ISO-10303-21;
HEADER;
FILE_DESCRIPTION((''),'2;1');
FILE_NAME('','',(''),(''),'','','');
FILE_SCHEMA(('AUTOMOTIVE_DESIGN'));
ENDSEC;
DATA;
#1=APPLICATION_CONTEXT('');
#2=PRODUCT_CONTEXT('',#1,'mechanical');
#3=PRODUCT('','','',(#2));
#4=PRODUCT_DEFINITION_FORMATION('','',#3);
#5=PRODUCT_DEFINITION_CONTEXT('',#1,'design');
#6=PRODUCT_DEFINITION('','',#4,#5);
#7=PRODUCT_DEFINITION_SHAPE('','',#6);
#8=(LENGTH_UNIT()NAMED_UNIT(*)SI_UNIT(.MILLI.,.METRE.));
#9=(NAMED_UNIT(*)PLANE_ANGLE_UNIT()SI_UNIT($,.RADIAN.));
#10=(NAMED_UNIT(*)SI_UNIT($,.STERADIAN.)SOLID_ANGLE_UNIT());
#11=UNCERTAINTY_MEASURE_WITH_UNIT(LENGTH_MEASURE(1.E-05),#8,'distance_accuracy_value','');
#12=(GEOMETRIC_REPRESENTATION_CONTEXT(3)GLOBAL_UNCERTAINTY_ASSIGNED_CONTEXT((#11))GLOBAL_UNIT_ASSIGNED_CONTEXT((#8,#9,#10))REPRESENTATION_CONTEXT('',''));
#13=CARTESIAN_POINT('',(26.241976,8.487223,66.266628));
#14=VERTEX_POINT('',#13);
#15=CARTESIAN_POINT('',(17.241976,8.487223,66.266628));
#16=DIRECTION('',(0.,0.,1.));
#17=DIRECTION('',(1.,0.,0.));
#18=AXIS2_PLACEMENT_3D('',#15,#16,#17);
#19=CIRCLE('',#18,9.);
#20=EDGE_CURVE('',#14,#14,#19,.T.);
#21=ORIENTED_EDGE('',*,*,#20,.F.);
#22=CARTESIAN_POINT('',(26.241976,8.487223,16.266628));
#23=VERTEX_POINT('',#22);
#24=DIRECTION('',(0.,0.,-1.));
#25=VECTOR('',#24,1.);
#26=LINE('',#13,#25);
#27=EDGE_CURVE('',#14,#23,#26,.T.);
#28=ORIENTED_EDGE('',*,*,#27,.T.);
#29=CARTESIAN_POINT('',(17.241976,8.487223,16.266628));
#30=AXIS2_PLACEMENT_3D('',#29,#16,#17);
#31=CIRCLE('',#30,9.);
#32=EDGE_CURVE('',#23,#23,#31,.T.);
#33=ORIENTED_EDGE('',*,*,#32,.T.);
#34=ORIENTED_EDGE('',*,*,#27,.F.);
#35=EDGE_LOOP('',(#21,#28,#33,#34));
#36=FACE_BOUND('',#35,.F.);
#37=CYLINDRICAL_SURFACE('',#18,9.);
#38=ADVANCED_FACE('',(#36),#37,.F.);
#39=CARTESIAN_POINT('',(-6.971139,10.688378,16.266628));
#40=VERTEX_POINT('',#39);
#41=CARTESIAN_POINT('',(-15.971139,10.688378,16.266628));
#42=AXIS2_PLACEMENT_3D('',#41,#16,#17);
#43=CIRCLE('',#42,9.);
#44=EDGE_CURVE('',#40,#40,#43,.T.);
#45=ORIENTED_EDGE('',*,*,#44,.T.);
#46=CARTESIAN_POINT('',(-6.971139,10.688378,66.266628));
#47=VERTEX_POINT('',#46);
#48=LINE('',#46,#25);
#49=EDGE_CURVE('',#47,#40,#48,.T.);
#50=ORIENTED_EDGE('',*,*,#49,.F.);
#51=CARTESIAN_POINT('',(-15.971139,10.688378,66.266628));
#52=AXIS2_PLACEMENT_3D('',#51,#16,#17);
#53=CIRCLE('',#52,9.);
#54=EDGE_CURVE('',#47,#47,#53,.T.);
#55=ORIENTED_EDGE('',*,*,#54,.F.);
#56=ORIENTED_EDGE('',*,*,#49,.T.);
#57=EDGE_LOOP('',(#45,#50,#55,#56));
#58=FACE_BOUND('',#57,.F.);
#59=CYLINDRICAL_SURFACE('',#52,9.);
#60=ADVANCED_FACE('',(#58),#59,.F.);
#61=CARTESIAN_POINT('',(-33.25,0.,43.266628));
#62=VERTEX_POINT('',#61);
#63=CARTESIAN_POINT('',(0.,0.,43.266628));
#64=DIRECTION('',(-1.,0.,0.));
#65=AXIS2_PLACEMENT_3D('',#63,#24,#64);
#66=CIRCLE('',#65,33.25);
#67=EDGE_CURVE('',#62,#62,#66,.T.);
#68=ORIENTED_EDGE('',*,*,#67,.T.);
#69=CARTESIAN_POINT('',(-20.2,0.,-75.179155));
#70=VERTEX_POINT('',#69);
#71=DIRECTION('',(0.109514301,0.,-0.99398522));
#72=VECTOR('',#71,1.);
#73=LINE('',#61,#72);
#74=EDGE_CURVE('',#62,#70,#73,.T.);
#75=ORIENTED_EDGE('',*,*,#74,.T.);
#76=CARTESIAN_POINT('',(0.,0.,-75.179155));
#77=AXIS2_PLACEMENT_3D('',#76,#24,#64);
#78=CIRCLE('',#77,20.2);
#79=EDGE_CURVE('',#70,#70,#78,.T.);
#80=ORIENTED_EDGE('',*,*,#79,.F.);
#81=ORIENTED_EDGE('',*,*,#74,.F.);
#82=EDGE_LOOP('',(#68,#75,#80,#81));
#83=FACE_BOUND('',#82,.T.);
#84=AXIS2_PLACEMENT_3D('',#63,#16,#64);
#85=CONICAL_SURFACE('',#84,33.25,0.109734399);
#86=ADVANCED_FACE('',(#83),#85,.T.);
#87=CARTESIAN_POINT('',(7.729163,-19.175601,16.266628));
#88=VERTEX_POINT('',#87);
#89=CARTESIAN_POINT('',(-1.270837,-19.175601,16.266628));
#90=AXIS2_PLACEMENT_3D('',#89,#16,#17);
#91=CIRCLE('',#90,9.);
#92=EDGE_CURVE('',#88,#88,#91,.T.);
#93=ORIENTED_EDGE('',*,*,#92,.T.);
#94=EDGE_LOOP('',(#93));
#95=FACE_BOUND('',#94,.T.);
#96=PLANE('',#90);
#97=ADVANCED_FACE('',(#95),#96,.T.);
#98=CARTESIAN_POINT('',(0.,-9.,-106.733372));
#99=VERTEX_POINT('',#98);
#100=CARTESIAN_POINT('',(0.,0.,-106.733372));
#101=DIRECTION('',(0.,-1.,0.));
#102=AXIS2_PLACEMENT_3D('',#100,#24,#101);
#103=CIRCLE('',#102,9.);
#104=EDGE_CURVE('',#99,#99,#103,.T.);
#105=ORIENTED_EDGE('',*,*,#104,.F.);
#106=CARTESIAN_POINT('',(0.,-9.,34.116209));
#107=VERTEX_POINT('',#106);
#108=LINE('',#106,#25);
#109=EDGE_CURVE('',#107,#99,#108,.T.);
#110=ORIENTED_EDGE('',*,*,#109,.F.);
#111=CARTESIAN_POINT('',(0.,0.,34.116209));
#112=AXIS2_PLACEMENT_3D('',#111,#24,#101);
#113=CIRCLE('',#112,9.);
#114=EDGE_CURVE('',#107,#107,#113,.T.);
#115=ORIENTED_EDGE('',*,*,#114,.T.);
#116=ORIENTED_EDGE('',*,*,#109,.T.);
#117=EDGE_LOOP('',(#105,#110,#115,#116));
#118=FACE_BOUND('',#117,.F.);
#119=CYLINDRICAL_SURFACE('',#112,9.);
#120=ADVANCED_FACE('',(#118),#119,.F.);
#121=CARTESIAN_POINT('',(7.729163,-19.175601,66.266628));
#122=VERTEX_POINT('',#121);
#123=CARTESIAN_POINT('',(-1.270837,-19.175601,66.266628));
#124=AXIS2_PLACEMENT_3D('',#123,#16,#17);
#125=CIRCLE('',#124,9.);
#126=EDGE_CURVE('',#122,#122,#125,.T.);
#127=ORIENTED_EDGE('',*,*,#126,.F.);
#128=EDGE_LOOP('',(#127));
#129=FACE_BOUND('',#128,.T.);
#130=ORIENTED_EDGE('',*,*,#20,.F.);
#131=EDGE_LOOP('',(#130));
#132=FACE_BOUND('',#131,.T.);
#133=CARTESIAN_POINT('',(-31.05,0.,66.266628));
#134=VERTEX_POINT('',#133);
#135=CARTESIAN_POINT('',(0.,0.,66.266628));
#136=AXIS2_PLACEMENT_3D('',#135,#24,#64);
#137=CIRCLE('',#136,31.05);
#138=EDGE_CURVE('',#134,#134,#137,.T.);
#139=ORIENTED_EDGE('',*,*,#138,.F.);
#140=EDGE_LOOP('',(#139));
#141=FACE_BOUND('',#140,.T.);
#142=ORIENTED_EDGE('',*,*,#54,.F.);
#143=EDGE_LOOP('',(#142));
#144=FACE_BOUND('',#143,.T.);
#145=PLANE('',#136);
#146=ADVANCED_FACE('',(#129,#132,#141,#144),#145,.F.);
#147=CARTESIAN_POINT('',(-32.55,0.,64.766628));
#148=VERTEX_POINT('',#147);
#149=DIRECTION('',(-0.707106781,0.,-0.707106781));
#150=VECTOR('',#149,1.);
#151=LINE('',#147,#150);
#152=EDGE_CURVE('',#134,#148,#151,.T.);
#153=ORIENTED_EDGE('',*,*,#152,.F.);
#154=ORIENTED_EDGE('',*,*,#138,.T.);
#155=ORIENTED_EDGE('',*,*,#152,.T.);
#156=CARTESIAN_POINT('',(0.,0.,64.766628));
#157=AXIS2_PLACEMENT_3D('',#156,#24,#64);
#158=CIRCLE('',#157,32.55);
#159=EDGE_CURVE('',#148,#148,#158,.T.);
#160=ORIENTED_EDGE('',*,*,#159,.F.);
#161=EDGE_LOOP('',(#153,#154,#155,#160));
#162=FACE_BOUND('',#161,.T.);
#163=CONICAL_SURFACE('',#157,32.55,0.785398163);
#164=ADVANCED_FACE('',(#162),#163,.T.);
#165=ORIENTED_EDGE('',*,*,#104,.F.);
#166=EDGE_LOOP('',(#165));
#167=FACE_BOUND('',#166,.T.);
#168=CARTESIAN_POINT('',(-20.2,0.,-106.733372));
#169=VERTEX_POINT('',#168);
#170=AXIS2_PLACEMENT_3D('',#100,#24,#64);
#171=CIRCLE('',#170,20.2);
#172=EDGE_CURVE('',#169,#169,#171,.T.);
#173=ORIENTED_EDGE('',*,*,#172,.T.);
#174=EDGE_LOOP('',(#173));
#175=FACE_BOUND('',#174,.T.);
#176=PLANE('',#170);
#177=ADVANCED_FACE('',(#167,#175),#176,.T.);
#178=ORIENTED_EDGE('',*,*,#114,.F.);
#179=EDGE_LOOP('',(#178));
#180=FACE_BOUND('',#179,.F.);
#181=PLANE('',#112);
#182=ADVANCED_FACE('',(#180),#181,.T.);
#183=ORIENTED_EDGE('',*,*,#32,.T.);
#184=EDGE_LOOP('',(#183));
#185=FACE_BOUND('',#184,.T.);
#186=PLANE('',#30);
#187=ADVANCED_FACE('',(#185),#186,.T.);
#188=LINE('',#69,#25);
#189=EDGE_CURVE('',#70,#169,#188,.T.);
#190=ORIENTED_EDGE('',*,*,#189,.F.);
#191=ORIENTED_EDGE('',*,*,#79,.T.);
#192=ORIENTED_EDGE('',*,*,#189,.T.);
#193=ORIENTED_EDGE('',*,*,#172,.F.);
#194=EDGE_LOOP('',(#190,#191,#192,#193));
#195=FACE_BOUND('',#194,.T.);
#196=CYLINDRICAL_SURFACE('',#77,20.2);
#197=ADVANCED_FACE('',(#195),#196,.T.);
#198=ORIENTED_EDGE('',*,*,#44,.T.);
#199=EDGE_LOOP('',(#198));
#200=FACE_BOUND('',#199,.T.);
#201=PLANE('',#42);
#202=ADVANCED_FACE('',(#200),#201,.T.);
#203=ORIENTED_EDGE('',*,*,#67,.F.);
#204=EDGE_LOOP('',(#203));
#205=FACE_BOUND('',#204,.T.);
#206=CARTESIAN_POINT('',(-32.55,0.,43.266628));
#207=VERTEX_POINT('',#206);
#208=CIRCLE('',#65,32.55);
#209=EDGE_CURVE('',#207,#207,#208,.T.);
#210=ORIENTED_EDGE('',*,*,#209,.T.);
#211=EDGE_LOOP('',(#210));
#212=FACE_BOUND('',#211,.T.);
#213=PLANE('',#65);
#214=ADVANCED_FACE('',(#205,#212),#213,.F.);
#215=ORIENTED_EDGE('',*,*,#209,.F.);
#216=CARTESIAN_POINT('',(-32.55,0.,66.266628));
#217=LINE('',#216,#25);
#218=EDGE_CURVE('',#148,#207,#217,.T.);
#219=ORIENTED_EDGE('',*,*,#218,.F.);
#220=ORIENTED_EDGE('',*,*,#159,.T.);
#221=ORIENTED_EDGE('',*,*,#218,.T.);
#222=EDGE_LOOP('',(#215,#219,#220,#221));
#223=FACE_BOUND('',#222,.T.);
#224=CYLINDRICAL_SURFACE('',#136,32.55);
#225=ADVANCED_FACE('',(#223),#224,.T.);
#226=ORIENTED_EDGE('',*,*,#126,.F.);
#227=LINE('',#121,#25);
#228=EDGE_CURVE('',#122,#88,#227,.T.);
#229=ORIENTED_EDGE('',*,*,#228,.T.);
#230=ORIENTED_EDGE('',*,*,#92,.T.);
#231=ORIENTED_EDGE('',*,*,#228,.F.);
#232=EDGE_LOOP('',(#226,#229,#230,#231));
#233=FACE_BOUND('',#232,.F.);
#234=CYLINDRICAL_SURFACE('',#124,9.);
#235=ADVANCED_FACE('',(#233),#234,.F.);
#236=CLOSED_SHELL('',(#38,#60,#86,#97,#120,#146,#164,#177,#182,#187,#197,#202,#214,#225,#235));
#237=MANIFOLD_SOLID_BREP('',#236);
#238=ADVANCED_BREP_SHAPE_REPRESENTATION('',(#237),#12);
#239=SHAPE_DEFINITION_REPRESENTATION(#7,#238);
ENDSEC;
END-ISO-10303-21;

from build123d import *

# Parameters (mm, degrees)
F2_SIZE  = 1.5
F5_R     = 9
F6_DEPTH = 50


with BuildPart() as f1:
    # F0 (on Front) → F1 (revolve)
    with BuildSketch(Plane.XZ):
        Polygon((0, 66.266628), (-32.55, 66.266628), (-32.55, 43.266628), (-33.25, 43.266628), (-20.2, -75.179155), (-20.2, -106.733372), (0, -106.733372), align=None)
    revolve(axis=Axis((0, 0, -2.596696), (0, 0, -1)))

    # F2
    f2_edges = [f1.edges().sort_by_distance(p)[0] for p in [
        (32.55, 0, 66.266628),
    ]]
    chamfer(f2_edges, length=F2_SIZE)

    # F3 (on Right) → F4 (revolve, cut)
    with BuildSketch(Plane.YZ):
        Polygon((-9, -120), (0, -120), (0, 0), (0, 34.116209), (-9, 34.116209), (-9, 0), align=None)
    revolve(axis=Axis((0, 0, -20.233372), (0, 0, -1)), mode=Mode.SUBTRACT)

    # F5 (on face) → F6 (cut)
    with BuildSketch(Plane.XY.offset(66.266628)):
        with Locations((-15.971139, 10.688378)):
            Circle(F5_R)
        with Locations((17.241976, 8.487223)):
            Circle(F5_R)
        with Locations((-1.270837, -19.175601)):
            Circle(F5_R)
    extrude(amount=-F6_DEPTH, mode=Mode.SUBTRACT)


solid = f1.part
